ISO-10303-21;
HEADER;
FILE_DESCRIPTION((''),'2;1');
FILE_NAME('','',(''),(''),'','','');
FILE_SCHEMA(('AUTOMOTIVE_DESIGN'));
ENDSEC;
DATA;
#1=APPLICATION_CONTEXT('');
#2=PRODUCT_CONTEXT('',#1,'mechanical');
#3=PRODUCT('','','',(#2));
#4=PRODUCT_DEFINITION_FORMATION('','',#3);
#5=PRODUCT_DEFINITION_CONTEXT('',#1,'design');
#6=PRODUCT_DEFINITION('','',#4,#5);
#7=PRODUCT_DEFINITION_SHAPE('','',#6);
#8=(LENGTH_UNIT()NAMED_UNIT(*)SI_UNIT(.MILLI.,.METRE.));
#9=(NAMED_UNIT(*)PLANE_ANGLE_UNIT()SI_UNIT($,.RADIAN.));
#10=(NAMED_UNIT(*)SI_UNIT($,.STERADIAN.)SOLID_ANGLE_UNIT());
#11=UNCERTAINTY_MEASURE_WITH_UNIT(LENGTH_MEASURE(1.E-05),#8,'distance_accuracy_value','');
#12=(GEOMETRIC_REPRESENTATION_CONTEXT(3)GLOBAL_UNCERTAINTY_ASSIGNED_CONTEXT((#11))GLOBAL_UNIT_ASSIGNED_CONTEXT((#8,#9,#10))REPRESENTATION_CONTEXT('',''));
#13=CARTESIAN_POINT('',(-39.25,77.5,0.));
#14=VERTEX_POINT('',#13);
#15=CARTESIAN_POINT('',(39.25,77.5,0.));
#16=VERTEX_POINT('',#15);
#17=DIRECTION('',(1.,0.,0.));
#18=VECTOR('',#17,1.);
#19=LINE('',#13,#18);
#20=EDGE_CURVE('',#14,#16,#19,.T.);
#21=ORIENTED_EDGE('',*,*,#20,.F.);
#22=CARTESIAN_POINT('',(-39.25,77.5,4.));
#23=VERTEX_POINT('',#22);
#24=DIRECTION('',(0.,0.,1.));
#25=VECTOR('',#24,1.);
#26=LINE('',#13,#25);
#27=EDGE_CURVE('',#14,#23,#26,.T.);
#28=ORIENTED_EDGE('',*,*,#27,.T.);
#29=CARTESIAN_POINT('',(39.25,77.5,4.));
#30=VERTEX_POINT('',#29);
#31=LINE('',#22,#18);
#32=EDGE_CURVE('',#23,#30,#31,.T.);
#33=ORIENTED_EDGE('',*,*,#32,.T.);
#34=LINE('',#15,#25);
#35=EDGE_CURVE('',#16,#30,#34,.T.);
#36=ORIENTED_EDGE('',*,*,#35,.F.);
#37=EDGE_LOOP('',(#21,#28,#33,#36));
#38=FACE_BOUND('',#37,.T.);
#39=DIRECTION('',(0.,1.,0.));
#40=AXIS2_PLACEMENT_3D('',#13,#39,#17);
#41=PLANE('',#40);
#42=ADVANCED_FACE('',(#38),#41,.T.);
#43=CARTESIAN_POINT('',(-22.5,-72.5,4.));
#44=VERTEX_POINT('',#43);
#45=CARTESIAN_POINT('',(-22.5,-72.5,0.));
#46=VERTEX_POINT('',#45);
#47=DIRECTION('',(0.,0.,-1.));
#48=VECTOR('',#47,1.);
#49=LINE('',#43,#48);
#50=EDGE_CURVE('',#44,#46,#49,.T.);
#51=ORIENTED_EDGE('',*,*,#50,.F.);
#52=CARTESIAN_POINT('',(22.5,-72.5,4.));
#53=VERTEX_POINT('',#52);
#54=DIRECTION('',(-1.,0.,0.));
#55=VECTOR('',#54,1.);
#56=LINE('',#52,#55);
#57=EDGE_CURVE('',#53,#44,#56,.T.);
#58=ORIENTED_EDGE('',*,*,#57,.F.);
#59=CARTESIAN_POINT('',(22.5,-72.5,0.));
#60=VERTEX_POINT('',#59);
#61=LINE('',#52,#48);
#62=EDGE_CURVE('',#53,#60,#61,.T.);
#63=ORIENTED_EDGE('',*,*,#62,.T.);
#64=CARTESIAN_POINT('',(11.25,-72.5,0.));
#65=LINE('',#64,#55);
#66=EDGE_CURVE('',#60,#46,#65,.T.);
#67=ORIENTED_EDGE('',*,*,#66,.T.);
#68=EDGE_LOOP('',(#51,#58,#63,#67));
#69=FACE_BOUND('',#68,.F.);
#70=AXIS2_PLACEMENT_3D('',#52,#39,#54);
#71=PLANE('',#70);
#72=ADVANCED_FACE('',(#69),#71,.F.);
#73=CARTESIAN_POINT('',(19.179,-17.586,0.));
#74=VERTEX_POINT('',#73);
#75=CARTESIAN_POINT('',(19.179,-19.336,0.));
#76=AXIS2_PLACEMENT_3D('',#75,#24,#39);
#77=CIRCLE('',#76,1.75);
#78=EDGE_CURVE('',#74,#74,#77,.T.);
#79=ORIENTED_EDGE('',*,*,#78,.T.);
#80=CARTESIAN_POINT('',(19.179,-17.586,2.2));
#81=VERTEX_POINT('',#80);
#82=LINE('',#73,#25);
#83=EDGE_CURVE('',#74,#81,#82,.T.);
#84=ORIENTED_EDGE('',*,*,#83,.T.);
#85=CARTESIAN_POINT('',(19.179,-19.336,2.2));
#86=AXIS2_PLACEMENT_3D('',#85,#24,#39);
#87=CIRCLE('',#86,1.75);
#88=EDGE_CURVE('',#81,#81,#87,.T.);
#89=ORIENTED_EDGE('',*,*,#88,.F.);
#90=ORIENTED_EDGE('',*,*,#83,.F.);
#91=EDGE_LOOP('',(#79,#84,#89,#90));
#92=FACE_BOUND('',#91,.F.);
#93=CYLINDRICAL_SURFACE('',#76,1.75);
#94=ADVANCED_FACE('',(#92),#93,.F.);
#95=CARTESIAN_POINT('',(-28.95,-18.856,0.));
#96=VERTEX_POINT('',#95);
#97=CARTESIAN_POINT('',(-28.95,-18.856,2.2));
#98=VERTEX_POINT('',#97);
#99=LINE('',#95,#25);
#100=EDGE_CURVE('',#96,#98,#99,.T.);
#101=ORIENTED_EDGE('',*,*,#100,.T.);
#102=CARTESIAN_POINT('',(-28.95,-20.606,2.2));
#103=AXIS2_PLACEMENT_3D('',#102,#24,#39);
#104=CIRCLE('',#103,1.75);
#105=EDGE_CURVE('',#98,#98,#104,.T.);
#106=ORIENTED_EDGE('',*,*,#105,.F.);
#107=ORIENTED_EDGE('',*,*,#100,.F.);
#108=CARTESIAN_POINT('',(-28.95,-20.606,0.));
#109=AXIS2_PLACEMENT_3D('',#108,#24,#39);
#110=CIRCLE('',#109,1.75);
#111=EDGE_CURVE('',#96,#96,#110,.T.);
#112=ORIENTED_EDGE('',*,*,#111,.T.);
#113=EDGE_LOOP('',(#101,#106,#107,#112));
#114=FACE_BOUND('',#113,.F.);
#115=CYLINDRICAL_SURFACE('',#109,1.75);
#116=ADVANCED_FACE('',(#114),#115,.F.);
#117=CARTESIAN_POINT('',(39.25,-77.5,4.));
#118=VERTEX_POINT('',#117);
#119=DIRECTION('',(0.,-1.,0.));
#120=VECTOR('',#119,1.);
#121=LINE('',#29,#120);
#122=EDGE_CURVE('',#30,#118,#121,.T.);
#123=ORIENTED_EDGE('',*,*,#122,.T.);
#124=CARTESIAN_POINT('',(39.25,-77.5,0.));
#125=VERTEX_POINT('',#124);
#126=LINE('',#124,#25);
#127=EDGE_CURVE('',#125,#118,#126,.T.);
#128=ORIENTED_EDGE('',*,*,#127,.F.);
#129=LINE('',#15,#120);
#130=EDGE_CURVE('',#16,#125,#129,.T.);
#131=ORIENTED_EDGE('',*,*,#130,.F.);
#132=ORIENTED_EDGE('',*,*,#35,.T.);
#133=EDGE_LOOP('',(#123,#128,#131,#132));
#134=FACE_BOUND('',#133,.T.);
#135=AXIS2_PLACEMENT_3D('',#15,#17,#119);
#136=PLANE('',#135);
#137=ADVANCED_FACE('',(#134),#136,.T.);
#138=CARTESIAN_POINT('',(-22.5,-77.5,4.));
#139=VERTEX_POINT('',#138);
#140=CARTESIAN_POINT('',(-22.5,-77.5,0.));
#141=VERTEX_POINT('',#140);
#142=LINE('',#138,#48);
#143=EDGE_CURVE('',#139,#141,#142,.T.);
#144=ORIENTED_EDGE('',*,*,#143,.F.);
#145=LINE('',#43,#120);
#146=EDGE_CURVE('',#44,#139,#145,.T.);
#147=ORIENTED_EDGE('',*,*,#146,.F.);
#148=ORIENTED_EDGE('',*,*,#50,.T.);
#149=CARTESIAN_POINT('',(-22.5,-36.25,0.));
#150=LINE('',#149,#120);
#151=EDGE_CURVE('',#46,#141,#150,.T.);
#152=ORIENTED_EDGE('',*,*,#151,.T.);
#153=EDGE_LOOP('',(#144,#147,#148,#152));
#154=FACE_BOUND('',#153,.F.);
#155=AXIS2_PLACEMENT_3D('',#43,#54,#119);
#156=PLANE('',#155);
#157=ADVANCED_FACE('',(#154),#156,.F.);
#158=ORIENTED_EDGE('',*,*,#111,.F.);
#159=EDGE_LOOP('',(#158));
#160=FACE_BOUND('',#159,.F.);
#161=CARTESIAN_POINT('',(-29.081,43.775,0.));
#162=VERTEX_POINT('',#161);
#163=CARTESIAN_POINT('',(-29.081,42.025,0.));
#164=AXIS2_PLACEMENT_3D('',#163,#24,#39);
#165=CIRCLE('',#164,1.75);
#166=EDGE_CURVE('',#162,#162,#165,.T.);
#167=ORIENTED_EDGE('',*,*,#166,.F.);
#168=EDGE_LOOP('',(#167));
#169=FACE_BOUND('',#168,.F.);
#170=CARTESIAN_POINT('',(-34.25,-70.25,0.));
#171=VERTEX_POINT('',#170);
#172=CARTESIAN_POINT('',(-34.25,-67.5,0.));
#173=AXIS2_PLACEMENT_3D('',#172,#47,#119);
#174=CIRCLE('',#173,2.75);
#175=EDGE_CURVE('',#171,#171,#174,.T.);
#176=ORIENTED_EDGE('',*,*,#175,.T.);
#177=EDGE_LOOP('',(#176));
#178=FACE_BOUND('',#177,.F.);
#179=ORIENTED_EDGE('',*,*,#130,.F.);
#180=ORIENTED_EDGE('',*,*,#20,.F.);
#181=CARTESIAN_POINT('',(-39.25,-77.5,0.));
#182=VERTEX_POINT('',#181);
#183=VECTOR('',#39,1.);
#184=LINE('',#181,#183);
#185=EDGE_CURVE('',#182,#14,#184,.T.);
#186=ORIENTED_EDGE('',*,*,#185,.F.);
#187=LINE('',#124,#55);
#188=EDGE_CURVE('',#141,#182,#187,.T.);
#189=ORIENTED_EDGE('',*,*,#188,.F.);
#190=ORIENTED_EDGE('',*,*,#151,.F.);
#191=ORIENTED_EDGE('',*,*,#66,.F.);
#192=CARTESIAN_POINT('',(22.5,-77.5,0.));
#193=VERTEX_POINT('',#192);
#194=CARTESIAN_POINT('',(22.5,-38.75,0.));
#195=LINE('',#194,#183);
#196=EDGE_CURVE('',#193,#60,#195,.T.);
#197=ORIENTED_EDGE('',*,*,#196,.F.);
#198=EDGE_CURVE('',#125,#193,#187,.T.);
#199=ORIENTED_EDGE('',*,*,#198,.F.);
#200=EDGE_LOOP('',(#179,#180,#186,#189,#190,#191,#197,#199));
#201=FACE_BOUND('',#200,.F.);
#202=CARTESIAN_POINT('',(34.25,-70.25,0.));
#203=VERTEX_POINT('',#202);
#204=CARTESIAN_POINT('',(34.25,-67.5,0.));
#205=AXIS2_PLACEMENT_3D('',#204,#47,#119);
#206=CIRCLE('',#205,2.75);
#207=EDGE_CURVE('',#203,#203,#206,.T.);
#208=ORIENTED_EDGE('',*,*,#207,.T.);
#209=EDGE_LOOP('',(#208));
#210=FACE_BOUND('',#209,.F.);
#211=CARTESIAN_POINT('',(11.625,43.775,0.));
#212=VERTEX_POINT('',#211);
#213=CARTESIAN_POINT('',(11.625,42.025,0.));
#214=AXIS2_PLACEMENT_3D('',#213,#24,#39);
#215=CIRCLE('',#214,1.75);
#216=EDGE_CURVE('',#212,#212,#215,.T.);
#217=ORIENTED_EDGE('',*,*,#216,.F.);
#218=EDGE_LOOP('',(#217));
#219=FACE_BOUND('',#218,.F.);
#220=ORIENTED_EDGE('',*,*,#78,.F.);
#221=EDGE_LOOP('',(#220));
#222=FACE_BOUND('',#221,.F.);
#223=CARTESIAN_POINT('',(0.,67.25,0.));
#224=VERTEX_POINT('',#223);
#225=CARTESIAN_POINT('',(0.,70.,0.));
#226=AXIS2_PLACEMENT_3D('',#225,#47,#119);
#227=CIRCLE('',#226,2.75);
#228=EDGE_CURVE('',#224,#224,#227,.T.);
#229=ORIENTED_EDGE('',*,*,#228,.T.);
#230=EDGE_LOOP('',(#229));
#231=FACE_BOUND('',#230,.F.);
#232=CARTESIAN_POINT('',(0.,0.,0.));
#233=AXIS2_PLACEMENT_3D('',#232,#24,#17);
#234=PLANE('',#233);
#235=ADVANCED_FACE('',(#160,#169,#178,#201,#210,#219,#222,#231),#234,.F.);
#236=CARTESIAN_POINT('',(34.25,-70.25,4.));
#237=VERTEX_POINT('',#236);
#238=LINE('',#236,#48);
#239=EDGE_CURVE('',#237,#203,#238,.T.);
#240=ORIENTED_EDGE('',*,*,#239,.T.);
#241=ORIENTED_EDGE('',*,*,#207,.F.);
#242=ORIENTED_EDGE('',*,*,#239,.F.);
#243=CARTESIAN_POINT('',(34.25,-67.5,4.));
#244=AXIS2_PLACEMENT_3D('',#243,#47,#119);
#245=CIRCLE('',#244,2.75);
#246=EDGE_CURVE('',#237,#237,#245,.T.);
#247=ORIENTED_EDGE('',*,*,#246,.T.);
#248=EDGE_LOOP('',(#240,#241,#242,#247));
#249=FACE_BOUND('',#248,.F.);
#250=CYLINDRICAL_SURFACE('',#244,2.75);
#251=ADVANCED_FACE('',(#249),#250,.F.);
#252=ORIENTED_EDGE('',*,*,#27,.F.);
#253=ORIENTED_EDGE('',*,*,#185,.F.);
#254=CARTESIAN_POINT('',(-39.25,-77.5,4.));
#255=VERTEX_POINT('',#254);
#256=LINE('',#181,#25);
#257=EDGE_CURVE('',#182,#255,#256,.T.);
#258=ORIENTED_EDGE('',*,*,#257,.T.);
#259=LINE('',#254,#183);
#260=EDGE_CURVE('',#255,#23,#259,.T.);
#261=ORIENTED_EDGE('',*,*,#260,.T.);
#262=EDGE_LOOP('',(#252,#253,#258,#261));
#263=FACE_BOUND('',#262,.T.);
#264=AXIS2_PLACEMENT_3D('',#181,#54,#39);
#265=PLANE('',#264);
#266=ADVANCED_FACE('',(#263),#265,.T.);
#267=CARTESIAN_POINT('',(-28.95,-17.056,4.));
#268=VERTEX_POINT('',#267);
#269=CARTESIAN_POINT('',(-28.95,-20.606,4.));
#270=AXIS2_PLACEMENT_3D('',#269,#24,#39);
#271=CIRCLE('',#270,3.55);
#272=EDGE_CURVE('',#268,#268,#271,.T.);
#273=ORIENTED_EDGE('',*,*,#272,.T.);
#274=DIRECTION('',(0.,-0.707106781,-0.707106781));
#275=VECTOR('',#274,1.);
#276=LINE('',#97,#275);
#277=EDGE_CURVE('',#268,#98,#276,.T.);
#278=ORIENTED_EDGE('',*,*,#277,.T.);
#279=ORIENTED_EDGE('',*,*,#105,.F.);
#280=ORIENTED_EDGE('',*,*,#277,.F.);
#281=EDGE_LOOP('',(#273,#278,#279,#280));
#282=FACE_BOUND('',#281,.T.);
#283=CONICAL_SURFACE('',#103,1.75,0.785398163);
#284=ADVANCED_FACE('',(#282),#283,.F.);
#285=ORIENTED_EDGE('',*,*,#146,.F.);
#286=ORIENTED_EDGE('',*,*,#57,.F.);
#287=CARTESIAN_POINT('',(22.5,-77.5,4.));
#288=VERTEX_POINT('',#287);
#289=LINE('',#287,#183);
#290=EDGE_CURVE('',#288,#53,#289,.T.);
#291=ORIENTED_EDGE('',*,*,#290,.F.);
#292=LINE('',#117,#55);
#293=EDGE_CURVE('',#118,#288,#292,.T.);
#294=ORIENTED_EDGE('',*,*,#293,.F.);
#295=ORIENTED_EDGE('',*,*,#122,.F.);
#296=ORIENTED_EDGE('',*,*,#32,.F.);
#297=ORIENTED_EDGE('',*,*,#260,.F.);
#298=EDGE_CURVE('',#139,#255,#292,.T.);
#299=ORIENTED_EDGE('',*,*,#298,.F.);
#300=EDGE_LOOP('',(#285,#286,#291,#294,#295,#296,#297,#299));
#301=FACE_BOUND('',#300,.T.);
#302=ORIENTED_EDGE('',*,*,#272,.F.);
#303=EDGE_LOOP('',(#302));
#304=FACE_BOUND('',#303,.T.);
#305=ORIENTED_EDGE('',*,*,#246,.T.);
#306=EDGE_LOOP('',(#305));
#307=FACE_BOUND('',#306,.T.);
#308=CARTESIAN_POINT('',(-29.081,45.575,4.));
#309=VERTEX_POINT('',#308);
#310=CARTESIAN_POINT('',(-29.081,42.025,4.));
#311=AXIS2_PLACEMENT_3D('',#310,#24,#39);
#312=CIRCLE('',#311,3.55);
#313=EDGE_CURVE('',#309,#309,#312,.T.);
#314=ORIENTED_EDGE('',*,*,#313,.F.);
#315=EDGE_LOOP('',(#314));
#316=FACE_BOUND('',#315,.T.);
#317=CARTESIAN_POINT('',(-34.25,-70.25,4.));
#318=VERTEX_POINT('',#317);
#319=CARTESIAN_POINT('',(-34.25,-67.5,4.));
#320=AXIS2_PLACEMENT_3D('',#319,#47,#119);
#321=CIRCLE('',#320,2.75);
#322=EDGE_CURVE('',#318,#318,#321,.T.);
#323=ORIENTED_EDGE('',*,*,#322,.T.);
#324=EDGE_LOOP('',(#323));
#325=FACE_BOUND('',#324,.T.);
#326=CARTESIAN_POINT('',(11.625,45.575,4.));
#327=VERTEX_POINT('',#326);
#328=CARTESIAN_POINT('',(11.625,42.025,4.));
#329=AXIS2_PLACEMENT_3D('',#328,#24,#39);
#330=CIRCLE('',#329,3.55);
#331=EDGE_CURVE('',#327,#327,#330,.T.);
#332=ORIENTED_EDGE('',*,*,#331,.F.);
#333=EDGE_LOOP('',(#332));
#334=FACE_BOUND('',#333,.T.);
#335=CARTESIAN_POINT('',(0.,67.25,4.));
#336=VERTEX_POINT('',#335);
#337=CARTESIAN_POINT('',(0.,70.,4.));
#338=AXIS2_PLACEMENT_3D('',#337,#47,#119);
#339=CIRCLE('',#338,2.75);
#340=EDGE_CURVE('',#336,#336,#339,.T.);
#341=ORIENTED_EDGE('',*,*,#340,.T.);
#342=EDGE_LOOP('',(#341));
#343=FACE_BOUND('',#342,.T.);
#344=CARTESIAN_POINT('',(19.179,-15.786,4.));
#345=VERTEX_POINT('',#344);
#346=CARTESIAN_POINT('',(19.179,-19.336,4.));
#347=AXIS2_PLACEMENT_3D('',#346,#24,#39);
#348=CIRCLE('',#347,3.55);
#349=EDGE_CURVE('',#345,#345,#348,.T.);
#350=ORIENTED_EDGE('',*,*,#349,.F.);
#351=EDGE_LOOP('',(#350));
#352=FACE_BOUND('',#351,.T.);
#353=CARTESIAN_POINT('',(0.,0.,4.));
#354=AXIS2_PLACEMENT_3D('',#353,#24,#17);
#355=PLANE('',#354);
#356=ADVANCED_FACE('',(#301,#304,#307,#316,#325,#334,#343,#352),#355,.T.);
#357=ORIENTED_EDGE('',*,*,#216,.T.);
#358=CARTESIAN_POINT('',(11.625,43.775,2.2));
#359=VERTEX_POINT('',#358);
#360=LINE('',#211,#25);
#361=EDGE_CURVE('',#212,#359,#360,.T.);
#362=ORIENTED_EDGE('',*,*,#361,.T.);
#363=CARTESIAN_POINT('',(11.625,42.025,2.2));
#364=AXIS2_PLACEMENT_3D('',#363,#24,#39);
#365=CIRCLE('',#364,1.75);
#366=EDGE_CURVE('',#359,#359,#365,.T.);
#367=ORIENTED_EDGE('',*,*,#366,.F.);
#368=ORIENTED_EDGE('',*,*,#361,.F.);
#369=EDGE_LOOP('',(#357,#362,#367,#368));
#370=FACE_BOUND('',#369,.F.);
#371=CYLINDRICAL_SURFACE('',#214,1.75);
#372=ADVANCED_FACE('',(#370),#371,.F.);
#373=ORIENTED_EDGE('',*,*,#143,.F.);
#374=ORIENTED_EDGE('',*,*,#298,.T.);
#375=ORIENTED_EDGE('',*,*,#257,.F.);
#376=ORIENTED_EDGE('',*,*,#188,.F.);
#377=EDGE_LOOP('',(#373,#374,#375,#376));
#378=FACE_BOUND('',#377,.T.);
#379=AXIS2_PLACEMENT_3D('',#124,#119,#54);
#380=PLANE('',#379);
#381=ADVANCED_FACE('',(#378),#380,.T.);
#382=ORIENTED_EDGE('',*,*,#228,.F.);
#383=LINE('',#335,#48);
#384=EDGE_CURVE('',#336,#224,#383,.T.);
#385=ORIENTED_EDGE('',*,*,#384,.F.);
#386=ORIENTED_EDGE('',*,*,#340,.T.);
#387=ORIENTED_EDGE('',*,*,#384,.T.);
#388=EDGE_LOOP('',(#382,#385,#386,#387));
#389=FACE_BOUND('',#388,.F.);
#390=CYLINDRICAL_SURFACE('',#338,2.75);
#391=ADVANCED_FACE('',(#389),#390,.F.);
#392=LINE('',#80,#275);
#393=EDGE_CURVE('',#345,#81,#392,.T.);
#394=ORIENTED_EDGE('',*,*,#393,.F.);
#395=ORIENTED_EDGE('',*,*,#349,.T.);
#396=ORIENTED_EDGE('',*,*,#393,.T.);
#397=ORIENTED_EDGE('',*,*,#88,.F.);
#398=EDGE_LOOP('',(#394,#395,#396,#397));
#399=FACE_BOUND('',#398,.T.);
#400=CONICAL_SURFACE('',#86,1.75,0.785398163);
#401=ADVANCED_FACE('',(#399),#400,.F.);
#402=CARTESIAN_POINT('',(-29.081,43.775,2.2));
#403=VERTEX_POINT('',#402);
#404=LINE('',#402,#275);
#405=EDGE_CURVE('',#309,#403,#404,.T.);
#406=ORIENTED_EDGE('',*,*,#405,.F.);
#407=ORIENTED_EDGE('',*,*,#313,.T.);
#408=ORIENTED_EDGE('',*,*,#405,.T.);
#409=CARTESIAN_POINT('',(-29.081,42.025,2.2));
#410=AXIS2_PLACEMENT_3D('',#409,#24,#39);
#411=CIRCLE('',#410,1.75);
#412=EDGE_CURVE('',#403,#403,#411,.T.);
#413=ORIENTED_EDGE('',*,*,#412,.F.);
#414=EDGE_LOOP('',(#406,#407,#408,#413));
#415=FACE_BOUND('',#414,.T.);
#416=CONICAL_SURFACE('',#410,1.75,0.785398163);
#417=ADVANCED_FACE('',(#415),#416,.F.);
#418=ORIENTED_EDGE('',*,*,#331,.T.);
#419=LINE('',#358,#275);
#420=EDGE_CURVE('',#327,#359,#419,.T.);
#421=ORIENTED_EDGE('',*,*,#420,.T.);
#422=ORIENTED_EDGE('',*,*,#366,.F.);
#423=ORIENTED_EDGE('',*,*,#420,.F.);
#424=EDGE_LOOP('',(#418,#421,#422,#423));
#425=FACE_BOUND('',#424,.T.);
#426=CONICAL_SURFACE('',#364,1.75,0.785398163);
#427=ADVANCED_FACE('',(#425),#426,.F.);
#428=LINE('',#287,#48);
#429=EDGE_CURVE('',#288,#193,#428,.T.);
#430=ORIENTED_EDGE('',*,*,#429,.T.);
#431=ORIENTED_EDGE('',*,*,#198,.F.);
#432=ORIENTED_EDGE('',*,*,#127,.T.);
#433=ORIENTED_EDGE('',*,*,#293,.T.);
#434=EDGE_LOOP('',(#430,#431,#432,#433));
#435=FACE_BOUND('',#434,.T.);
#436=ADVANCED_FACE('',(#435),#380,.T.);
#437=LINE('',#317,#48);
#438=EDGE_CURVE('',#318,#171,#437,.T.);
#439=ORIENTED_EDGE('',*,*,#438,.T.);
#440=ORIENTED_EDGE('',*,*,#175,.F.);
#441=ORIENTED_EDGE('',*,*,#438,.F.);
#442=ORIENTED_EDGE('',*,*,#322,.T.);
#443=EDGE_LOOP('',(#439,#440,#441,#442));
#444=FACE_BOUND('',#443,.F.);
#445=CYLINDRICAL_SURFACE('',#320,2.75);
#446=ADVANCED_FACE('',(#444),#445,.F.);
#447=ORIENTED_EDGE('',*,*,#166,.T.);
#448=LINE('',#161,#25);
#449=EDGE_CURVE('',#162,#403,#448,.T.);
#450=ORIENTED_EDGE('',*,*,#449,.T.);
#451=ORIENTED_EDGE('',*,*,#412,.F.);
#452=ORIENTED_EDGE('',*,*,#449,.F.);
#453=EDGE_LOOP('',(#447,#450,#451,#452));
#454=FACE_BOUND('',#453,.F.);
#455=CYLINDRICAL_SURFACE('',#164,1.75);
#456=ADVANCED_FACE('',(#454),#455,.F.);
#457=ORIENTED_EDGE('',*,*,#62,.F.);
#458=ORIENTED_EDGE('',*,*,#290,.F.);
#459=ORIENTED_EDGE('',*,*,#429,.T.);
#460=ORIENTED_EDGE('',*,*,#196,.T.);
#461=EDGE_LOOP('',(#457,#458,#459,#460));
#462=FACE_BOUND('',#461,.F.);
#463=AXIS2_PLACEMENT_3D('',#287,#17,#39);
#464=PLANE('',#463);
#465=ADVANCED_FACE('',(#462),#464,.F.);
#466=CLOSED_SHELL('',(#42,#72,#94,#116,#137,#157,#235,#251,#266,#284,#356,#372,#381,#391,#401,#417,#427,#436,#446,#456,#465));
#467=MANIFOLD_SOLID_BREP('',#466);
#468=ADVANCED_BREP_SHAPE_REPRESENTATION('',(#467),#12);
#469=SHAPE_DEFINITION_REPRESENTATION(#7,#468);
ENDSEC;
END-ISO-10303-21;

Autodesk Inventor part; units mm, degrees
ref_plane "YZ Plane" through (0, 0, 0) normal (1, 0, 0) x (0, 1, 0)
ref_plane "XZ Plane" through (0, 0, 0) normal (0, 1, 0) x (-1, 0, 0)
ref_plane "XY Plane" through (0, 0, 0) normal (0, 0, 1) x (1, 0, 0)
sketch "Sketch2" plane through (0, 0, 0) normal (0, 0, 1) x (1, 0, 0)
  line L0 (39.25, -77.5) -> (-39.25, -77.5)
  line L1 (-39.25, -77.5) -> (-39.25, 77.5)
  line L2 (-39.25, 77.5) -> (39.25, 77.5)
  line L3 (39.25, 77.5) -> (39.25, -77.5)
  line L4 (39.25, -77.5) -> (-39.25, 77.5) construction
  line L5 (-39.25, -77.5) -> (39.25, 77.5) construction
  point P0 (0, 0)
  dimension "d0" = 78.5
  dimension "d1" = 155
extrude "Extrusion1" add sketch "Sketch2" along normal blind 4
sketch "Sketch3" plane through (0, 0, 4) normal (0, 0, 1) x (1, 0, 0)
  line L0 (0, 108.5) -> (0, -108.5) construction
  line L1 (39.25, 77.5) -> (-39.25, 77.5) construction
  point P0 (0, 0)
  point P1 (0, 70)
  point P2 (-34.25, -67.5)
  point P3 (34.25, -67.5)
  dimension "d4" = 34.25
  dimension "d5" = 34.25
  dimension "d6" = 137.5
  dimension "d8" = 7.5
  dimension "d9" = 137.5
hole "Hole1" at (0, 70, 4) at (-34.25, -67.5, 4) at (34.25, -67.5, 4) direction (0, 0, -1) diameter 5.5 depth 9.5
sketch "Sketch4" plane through (0, 0, 0) normal (0, 0, -1) x (-1, 0, 0)
  line L0 (-27.565, 44.5) -> (-27.565, 40.5) construction
  line L1 (-27.565, 40.5) -> (-37.565, 40.5) construction
  line L2 (-37.565, 40.5) -> (-37.565, 32.5) construction
  line L3 (-37.565, 32.5) -> (-27.565, 32.5) construction
  line L4 (-27.565, 32.5) -> (-27.565, -48.52) construction
  line L5 (-27.565, -48.52) -> (-10.565, -48.52) construction
  line L6 (-10.565, -48.52) -> (-10.565, -58.52) construction
  line L7 (-10.565, -58.52) -> (-2.565, -58.52) construction
  line L8 (-2.565, -58.52) -> (-2.565, -48.52) construction
  line L9 (-2.565, -48.52) -> (37.5, -48.52) construction
  line L10 (37.5, -48.52) -> (37.5, 44.5) construction
  line L11 (37.5, 44.5) -> (28.5, 44.5) construction
  line L12 (28.5, 44.5) -> (26.5, 46.5) construction
  line L13 (26.5, 46.5) -> (18.5, 46.5) construction
  line L14 (18.5, 46.5) -> (18.5, 56.5) construction
  line L15 (18.5, 56.5) -> (7.5, 56.5) construction
  line L16 (7.5, 56.5) -> (7.5, 46.5) construction
  line L17 (7.5, 46.5) -> (-6.565, 46.5) construction
  line L18 (-6.565, 46.5) -> (-8.565, 44.5) construction
  line L19 (-8.565, 44.5) -> (-27.565, 44.5) construction
  circle A0 centre (29.081, 42.025) radius 1.6 construction
  circle A1 centre (-11.625, 42.025) radius 1.6 construction
  circle A2 centre (28.95, -20.606) radius 1.6 construction
  circle A3 centre (-19.179, -19.336) radius 1.6 construction
  point P0 (0, 0)
hole "Hole2" at (-29.081, 42.025, 0) at (-28.95, -20.606, 0) at (19.179, -19.336, 0) at (11.625, 42.025, 0) direction (0, 0, 1) diameter 3.5 depth 9.5
chamfer "Chamfer1" distance 1.8 angle 45 4 edges at (-28.95, -22.356, 4) (19.179, -21.086, 4) (-29.081, 40.275, 4) (11.625, 40.275, 4)
sketch "Sketch6" plane through (0, 0, 4) normal (0, 0, 1) x (1, 0, 0)
  circle A0 centre (-28.95, -20.606) radius 3.55 construction
  circle A1 centre (11.625, 42.025) radius 3.55 construction
  circle A2 centre (-34.25, -67.5) radius 2.75 construction
  circle A3 centre (0, 70) radius 2.75 construction
  circle A4 centre (34.25, -67.5) radius 2.75 construction
  line L0 (39.25, 77.5) -> (-39.25, 77.5) construction
  line L1 (-39.25, 77.5) -> (-39.25, -77.5) construction
  line L2 (-39.25, -77.5) -> (39.25, -77.5) construction
  line L3 (39.25, -77.5) -> (39.25, 77.5) construction
  circle A5 centre (19.179, -19.336) radius 3.55 construction
  circle A6 centre (-29.081, 42.025) radius 3.55 construction
  line L4 (22.5, -72.5) -> (-22.5, -72.5)
  line L5 (-22.5, -72.5) -> (-22.5, -77.5)
  line L6 (-22.5, -77.5) -> (22.5, -77.5)
  line L7 (22.5, -77.5) -> (22.5, -72.5)
  line L8 (0, 108.5) -> (0, -108.5) construction
  point P0 (0, 0)
  dimension "d33" = 45
  dimension "d34" = 5
  dimension "d35" = 22.5
extrude "Extrusion3" cut sketch "Sketch6" against normal blind 10
equation "\"d35\" = 0.5 * d33"
properties part number "P042_BoitierCouvercleV4_moduleHaut"
